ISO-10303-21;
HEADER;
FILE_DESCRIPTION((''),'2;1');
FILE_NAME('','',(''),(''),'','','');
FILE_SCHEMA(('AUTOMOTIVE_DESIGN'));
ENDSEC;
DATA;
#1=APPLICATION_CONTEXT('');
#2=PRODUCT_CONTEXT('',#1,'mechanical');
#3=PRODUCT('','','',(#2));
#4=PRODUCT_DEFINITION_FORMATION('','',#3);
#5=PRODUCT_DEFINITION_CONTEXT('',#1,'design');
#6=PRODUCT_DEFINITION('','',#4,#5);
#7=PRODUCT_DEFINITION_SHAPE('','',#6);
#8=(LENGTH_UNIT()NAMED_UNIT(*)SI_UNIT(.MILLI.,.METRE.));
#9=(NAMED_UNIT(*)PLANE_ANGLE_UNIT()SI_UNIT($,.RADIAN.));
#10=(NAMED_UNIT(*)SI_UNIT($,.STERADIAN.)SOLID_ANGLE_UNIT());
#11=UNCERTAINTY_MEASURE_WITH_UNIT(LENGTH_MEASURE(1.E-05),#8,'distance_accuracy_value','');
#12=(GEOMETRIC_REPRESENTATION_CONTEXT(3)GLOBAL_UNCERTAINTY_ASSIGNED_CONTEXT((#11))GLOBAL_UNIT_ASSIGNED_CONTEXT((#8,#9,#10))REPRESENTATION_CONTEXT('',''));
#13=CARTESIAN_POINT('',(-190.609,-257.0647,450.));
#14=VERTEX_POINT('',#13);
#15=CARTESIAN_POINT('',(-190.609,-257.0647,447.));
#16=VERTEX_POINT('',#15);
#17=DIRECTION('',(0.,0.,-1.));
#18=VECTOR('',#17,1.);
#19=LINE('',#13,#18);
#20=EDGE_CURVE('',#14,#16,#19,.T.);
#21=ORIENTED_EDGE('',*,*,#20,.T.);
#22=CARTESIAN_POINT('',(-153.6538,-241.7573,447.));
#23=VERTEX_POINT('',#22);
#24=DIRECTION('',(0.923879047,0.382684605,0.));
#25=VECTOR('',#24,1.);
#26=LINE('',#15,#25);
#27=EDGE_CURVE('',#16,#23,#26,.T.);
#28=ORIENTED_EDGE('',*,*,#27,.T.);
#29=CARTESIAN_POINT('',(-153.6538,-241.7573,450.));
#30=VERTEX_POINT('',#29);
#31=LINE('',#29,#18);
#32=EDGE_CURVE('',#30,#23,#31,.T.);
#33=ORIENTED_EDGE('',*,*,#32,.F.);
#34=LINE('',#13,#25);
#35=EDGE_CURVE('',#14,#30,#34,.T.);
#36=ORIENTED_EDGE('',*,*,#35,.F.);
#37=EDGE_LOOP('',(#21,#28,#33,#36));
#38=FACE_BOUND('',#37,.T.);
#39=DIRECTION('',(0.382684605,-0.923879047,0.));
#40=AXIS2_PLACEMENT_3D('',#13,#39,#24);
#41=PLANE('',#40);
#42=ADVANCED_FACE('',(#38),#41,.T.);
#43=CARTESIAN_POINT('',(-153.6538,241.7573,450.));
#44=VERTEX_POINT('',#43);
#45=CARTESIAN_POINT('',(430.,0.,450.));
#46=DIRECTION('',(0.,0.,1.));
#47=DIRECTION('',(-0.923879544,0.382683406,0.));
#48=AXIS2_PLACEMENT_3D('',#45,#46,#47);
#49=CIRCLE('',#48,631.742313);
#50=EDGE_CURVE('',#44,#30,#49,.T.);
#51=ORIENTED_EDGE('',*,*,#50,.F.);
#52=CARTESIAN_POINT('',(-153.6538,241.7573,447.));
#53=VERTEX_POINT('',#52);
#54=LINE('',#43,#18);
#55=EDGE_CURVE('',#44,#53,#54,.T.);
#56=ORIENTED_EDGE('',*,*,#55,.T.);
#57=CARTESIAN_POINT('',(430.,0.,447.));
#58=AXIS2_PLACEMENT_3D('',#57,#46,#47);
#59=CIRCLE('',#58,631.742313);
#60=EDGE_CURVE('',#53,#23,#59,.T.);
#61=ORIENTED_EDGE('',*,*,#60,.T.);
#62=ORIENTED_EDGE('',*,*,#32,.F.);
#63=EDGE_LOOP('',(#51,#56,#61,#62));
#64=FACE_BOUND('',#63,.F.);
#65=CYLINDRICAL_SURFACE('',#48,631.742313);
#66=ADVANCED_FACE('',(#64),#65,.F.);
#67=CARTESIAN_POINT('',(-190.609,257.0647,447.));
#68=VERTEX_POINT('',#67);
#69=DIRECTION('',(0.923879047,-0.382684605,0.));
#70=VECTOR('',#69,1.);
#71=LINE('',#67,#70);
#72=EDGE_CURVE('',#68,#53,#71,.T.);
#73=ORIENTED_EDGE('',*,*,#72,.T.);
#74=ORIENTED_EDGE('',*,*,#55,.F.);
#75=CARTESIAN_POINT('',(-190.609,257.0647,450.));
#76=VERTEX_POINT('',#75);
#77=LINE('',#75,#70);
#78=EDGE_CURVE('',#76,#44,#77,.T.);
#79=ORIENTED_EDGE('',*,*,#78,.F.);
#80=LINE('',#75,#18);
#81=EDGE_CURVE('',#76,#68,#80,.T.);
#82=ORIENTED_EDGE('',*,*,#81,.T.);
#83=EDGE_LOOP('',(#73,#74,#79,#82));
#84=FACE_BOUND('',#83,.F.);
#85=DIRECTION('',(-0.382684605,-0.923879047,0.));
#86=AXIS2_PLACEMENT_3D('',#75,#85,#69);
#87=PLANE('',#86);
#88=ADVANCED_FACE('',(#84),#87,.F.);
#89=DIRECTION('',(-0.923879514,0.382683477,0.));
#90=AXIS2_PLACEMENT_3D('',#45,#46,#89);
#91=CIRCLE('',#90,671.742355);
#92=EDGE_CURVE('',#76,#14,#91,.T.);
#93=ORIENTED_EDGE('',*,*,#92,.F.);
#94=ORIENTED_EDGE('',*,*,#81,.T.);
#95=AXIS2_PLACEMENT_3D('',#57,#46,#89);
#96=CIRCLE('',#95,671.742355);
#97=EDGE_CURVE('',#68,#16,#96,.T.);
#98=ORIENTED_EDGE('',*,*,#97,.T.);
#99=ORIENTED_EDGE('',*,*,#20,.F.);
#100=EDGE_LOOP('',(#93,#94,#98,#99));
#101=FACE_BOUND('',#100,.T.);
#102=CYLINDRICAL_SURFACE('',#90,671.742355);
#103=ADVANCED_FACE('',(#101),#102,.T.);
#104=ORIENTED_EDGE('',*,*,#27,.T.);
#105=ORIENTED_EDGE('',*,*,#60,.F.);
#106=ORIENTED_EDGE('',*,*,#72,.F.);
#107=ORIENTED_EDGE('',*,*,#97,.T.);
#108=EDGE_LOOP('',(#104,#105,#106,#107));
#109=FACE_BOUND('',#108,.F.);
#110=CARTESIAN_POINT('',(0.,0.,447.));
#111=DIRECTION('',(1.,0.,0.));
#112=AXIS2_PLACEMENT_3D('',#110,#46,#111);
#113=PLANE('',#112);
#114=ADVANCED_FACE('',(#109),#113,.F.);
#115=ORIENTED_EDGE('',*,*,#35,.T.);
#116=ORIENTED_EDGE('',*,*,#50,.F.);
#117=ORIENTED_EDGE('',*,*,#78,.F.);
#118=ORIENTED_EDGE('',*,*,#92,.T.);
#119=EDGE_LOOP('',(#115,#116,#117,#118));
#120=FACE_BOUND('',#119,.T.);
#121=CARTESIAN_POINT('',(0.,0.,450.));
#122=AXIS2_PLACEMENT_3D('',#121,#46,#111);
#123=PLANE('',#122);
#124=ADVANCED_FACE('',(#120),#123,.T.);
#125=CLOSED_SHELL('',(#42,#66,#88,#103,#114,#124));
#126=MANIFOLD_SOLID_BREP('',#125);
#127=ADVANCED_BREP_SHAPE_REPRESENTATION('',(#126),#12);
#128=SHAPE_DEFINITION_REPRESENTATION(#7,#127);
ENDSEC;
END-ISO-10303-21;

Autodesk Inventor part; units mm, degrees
ref_plane "YZ Plane" through (0, 0, 0) normal (1, 0, 0) x (0, 1, 0)
ref_plane "XZ Plane" through (0, 0, 0) normal (0, 1, 0) x (-1, 0, 0)
ref_plane "Work Plane1" through (0, 0, 450) normal (0, 0, 1) x (1, 0, 0)
sketch "Sketch1" plane through (0, 0, 450) normal (0, 0, 1) x (1, 0, 0)
  line L0 (-254.3277, 283.4578) -> (-250.5009, 292.6966) construction
  line L1 (-250.5009, 292.6966) -> (303.8268, 63.0866) construction
  line L2 (303.8268, 63.0866) -> (300, 53.8478) construction
  line L3 (300, 53.8478) -> (-254.3277, 283.4578) construction
  line L4 (300, -53.8478) -> (303.8268, -63.0866) construction
  line L5 (303.8268, -63.0866) -> (-250.5009, -292.6966) construction
  line L6 (-250.5009, -292.6966) -> (-254.3277, -283.4578) construction
  line L7 (-254.3277, -283.4578) -> (300, -53.8478) construction
  arc A0 (-152.3888, 239.0623) -> (-152.3888, -239.0623) centre (430, 0) ccw construction
  spline S0 degree 3 poles (-152.3888, -239.0623) (-152.7274, -239.2015) (-153.0661, -239.3407) (-153.7434, -239.6192) (-154.082, -239.7584) (-154.4207, -239.8976) knots -0.219692 -0.219692 -0.219692 -0.219692 -0.109846 -0.109846 0 0 0 0 construction
  arc A1 (-154.4207, 239.8976) -> (-154.4207, -239.8976) centre (430, 0) ccw construction
  spline S1 degree 3 poles (-154.4207, 239.8976) (-154.082, 239.7584) (-153.7434, 239.6192) (-153.0661, 239.3407) (-152.7274, 239.2015) (-152.3888, 239.0623) knots -0.219692 -0.219692 -0.219692 -0.219692 -0.109846 -0.109846 0 0 0 0 construction
  line L8 (-190.609, 257.0647) -> (-153.6538, 241.7573)
  line L9 (-190.609, -257.0647) -> (-153.6538, -241.7573)
  arc A2 (-153.6538, 241.7573) -> (-153.6538, -241.7573) centre (430, 0) ccw
  arc A3 (-190.609, 257.0647) -> (-190.609, -257.0647) centre (430, 0) ccw
  point P0 (0, 0)
  dimension "d3" = 40
extrude "Extrusion1" add sketch "Sketch1" against normal blind 3
properties part number "rearformer3" material "Wood (Cherry)"
